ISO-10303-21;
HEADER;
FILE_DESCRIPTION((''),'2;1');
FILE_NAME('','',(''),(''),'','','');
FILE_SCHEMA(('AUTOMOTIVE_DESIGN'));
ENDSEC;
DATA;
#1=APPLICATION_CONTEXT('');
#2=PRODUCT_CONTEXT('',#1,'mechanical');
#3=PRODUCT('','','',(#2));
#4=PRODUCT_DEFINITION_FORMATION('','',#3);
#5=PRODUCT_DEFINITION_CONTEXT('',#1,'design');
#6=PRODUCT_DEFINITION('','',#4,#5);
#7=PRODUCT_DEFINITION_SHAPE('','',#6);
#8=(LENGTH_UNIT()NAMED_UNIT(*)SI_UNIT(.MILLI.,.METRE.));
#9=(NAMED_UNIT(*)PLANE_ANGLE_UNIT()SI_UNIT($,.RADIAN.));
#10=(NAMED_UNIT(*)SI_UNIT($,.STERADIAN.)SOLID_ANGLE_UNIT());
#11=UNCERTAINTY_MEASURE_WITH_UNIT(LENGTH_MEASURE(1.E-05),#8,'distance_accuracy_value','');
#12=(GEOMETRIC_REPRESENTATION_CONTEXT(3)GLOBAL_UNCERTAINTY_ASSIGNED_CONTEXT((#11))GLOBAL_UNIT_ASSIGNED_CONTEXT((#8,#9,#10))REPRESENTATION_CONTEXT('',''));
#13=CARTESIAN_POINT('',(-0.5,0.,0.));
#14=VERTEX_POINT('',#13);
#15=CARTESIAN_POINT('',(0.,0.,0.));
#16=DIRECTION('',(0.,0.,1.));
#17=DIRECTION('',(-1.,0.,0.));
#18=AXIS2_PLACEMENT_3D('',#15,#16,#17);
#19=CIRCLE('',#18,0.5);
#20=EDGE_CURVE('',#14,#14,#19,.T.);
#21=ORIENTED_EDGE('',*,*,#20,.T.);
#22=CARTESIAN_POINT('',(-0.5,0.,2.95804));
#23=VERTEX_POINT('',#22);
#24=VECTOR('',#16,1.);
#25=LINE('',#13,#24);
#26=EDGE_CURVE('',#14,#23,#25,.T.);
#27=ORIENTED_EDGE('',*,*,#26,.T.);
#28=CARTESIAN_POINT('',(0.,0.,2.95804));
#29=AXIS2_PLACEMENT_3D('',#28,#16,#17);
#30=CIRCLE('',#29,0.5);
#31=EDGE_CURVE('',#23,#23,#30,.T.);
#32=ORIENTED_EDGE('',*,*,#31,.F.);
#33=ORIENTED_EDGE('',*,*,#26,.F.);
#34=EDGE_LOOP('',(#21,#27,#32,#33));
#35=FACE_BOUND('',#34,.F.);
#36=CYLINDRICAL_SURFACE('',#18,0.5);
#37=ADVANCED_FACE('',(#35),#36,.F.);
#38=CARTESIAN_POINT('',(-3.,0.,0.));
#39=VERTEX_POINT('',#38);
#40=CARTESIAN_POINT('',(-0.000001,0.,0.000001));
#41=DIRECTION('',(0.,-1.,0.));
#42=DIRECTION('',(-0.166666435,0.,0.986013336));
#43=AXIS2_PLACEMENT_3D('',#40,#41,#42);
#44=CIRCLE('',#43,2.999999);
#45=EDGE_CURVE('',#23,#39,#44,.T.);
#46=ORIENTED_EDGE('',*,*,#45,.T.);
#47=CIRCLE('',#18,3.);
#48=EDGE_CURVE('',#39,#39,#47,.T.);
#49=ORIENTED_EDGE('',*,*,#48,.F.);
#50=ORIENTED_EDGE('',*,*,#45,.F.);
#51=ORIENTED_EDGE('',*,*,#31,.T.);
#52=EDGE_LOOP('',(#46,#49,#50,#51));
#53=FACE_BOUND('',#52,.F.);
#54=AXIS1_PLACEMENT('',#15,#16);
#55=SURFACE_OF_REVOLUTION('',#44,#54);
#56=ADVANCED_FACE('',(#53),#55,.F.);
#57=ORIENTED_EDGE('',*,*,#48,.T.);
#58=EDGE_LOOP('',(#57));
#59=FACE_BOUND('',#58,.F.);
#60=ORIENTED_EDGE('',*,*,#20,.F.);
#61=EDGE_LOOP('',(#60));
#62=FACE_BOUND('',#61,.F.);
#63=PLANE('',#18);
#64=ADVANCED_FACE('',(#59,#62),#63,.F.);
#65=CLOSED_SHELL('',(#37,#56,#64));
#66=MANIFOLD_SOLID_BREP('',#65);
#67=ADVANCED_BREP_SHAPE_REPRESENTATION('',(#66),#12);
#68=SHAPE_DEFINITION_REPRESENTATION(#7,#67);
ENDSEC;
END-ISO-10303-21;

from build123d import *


with BuildPart() as part:
    # Sketch → Revolution (revolve)
    with BuildSketch(Plane.XZ):
        with BuildLine():
            ThreePointArc((-0.5, 2.95804), (-2.291288, 1.936492), (-3, 0))
            Line((-3, 0), (-0.5, 0))
            Line((-0.5, 0), (-0.5, 2.95804))
        make_face()
    revolve(axis=Axis((0, 0, 0), (0, 0, 1)))


solid = part.part
